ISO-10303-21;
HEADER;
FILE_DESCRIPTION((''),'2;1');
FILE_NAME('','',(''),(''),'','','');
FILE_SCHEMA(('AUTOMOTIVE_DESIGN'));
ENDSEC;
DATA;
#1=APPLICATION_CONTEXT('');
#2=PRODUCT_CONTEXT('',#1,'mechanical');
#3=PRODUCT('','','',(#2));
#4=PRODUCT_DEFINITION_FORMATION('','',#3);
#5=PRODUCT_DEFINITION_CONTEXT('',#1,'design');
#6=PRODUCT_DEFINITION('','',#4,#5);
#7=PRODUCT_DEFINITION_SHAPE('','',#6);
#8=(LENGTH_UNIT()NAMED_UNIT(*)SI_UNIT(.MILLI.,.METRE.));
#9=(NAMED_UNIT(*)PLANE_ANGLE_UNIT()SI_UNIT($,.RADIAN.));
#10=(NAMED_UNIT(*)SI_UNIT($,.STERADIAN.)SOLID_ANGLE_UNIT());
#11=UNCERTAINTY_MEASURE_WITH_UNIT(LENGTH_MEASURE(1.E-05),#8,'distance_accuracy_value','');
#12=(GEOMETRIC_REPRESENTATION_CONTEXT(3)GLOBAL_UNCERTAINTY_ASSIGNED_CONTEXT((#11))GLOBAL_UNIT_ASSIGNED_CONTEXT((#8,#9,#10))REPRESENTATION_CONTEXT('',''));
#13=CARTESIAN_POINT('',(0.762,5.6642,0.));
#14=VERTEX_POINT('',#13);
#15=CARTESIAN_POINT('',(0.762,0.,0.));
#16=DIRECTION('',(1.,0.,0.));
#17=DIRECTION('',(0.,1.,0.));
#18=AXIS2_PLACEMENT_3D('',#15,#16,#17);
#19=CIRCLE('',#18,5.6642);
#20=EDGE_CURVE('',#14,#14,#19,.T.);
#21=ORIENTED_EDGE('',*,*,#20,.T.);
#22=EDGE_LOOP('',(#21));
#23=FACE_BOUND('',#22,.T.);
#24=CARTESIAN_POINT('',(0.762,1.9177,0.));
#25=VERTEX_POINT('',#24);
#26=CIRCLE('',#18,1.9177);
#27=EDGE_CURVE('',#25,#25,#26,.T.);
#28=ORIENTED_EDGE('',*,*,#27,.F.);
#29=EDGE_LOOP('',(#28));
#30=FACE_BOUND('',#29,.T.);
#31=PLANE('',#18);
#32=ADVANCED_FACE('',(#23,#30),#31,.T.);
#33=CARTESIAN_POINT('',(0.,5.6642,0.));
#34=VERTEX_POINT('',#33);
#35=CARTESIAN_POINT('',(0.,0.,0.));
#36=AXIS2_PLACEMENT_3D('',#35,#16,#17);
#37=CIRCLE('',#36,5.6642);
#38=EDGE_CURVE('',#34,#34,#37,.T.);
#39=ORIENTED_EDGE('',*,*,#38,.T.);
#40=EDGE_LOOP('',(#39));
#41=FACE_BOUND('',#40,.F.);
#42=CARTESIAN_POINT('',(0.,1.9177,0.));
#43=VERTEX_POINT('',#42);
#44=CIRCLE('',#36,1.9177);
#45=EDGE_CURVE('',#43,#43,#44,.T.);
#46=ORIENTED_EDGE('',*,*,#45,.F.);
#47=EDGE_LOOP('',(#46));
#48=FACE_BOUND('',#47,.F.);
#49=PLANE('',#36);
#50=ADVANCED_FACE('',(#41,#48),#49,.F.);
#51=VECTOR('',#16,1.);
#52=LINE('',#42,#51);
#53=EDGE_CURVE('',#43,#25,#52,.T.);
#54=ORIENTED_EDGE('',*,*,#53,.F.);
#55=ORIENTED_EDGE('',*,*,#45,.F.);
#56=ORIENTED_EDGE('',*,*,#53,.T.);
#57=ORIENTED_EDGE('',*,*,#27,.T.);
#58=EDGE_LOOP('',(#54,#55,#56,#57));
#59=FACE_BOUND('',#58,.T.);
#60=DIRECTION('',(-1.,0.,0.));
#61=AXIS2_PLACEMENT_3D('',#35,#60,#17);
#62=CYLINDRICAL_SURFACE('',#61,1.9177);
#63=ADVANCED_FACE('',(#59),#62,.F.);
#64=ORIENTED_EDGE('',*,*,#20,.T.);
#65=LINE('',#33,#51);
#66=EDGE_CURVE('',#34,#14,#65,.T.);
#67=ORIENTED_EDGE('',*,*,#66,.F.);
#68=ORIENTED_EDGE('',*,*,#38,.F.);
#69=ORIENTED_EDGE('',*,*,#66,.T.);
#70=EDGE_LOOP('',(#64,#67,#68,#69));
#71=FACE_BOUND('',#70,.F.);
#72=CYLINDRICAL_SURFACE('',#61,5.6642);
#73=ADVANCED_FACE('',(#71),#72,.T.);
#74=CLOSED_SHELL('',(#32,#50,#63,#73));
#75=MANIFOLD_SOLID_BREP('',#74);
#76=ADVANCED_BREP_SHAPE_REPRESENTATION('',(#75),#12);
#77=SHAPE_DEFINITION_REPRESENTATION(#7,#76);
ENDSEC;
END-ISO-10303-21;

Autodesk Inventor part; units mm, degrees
ref_plane "YZ Plane" through (0, 0, 0) normal (1, 0, 0) x (0, 1, 0)
ref_plane "XZ Plane" through (0, 0, 0) normal (0, 1, 0) x (-1, 0, 0)
sketch "Sketch" plane through (0, 0, 0) normal (1, 0, 0) x (0, 1, 0)
  circle A0 centre (0, 0) radius 5.6642
  circle A1 centre (0, 0) radius 1.9177
  dimension "d0" = 3.8354
  dimension "d1" = 11.3284
extrude "Body" add sketch "Sketch" along normal blind 0.762
ref_plane "Work Plane1" through (0, 0, 0) normal (0, 0, 1) x (1, 0, 0)
equation "\"d0\" = SD1"
equation "\"d1\" = SD2"
equation "\"d2\" = SD"
equation "\"SD1\" = 3.8354"
equation "\"SD2\" = 11.3284"
equation "\"SD\" = 0.762"
equation "\"NND\" = 3.5052"
properties part number "SAE J773b - No. 6. SAE Type L. Regular" material "Steel, Mild"
